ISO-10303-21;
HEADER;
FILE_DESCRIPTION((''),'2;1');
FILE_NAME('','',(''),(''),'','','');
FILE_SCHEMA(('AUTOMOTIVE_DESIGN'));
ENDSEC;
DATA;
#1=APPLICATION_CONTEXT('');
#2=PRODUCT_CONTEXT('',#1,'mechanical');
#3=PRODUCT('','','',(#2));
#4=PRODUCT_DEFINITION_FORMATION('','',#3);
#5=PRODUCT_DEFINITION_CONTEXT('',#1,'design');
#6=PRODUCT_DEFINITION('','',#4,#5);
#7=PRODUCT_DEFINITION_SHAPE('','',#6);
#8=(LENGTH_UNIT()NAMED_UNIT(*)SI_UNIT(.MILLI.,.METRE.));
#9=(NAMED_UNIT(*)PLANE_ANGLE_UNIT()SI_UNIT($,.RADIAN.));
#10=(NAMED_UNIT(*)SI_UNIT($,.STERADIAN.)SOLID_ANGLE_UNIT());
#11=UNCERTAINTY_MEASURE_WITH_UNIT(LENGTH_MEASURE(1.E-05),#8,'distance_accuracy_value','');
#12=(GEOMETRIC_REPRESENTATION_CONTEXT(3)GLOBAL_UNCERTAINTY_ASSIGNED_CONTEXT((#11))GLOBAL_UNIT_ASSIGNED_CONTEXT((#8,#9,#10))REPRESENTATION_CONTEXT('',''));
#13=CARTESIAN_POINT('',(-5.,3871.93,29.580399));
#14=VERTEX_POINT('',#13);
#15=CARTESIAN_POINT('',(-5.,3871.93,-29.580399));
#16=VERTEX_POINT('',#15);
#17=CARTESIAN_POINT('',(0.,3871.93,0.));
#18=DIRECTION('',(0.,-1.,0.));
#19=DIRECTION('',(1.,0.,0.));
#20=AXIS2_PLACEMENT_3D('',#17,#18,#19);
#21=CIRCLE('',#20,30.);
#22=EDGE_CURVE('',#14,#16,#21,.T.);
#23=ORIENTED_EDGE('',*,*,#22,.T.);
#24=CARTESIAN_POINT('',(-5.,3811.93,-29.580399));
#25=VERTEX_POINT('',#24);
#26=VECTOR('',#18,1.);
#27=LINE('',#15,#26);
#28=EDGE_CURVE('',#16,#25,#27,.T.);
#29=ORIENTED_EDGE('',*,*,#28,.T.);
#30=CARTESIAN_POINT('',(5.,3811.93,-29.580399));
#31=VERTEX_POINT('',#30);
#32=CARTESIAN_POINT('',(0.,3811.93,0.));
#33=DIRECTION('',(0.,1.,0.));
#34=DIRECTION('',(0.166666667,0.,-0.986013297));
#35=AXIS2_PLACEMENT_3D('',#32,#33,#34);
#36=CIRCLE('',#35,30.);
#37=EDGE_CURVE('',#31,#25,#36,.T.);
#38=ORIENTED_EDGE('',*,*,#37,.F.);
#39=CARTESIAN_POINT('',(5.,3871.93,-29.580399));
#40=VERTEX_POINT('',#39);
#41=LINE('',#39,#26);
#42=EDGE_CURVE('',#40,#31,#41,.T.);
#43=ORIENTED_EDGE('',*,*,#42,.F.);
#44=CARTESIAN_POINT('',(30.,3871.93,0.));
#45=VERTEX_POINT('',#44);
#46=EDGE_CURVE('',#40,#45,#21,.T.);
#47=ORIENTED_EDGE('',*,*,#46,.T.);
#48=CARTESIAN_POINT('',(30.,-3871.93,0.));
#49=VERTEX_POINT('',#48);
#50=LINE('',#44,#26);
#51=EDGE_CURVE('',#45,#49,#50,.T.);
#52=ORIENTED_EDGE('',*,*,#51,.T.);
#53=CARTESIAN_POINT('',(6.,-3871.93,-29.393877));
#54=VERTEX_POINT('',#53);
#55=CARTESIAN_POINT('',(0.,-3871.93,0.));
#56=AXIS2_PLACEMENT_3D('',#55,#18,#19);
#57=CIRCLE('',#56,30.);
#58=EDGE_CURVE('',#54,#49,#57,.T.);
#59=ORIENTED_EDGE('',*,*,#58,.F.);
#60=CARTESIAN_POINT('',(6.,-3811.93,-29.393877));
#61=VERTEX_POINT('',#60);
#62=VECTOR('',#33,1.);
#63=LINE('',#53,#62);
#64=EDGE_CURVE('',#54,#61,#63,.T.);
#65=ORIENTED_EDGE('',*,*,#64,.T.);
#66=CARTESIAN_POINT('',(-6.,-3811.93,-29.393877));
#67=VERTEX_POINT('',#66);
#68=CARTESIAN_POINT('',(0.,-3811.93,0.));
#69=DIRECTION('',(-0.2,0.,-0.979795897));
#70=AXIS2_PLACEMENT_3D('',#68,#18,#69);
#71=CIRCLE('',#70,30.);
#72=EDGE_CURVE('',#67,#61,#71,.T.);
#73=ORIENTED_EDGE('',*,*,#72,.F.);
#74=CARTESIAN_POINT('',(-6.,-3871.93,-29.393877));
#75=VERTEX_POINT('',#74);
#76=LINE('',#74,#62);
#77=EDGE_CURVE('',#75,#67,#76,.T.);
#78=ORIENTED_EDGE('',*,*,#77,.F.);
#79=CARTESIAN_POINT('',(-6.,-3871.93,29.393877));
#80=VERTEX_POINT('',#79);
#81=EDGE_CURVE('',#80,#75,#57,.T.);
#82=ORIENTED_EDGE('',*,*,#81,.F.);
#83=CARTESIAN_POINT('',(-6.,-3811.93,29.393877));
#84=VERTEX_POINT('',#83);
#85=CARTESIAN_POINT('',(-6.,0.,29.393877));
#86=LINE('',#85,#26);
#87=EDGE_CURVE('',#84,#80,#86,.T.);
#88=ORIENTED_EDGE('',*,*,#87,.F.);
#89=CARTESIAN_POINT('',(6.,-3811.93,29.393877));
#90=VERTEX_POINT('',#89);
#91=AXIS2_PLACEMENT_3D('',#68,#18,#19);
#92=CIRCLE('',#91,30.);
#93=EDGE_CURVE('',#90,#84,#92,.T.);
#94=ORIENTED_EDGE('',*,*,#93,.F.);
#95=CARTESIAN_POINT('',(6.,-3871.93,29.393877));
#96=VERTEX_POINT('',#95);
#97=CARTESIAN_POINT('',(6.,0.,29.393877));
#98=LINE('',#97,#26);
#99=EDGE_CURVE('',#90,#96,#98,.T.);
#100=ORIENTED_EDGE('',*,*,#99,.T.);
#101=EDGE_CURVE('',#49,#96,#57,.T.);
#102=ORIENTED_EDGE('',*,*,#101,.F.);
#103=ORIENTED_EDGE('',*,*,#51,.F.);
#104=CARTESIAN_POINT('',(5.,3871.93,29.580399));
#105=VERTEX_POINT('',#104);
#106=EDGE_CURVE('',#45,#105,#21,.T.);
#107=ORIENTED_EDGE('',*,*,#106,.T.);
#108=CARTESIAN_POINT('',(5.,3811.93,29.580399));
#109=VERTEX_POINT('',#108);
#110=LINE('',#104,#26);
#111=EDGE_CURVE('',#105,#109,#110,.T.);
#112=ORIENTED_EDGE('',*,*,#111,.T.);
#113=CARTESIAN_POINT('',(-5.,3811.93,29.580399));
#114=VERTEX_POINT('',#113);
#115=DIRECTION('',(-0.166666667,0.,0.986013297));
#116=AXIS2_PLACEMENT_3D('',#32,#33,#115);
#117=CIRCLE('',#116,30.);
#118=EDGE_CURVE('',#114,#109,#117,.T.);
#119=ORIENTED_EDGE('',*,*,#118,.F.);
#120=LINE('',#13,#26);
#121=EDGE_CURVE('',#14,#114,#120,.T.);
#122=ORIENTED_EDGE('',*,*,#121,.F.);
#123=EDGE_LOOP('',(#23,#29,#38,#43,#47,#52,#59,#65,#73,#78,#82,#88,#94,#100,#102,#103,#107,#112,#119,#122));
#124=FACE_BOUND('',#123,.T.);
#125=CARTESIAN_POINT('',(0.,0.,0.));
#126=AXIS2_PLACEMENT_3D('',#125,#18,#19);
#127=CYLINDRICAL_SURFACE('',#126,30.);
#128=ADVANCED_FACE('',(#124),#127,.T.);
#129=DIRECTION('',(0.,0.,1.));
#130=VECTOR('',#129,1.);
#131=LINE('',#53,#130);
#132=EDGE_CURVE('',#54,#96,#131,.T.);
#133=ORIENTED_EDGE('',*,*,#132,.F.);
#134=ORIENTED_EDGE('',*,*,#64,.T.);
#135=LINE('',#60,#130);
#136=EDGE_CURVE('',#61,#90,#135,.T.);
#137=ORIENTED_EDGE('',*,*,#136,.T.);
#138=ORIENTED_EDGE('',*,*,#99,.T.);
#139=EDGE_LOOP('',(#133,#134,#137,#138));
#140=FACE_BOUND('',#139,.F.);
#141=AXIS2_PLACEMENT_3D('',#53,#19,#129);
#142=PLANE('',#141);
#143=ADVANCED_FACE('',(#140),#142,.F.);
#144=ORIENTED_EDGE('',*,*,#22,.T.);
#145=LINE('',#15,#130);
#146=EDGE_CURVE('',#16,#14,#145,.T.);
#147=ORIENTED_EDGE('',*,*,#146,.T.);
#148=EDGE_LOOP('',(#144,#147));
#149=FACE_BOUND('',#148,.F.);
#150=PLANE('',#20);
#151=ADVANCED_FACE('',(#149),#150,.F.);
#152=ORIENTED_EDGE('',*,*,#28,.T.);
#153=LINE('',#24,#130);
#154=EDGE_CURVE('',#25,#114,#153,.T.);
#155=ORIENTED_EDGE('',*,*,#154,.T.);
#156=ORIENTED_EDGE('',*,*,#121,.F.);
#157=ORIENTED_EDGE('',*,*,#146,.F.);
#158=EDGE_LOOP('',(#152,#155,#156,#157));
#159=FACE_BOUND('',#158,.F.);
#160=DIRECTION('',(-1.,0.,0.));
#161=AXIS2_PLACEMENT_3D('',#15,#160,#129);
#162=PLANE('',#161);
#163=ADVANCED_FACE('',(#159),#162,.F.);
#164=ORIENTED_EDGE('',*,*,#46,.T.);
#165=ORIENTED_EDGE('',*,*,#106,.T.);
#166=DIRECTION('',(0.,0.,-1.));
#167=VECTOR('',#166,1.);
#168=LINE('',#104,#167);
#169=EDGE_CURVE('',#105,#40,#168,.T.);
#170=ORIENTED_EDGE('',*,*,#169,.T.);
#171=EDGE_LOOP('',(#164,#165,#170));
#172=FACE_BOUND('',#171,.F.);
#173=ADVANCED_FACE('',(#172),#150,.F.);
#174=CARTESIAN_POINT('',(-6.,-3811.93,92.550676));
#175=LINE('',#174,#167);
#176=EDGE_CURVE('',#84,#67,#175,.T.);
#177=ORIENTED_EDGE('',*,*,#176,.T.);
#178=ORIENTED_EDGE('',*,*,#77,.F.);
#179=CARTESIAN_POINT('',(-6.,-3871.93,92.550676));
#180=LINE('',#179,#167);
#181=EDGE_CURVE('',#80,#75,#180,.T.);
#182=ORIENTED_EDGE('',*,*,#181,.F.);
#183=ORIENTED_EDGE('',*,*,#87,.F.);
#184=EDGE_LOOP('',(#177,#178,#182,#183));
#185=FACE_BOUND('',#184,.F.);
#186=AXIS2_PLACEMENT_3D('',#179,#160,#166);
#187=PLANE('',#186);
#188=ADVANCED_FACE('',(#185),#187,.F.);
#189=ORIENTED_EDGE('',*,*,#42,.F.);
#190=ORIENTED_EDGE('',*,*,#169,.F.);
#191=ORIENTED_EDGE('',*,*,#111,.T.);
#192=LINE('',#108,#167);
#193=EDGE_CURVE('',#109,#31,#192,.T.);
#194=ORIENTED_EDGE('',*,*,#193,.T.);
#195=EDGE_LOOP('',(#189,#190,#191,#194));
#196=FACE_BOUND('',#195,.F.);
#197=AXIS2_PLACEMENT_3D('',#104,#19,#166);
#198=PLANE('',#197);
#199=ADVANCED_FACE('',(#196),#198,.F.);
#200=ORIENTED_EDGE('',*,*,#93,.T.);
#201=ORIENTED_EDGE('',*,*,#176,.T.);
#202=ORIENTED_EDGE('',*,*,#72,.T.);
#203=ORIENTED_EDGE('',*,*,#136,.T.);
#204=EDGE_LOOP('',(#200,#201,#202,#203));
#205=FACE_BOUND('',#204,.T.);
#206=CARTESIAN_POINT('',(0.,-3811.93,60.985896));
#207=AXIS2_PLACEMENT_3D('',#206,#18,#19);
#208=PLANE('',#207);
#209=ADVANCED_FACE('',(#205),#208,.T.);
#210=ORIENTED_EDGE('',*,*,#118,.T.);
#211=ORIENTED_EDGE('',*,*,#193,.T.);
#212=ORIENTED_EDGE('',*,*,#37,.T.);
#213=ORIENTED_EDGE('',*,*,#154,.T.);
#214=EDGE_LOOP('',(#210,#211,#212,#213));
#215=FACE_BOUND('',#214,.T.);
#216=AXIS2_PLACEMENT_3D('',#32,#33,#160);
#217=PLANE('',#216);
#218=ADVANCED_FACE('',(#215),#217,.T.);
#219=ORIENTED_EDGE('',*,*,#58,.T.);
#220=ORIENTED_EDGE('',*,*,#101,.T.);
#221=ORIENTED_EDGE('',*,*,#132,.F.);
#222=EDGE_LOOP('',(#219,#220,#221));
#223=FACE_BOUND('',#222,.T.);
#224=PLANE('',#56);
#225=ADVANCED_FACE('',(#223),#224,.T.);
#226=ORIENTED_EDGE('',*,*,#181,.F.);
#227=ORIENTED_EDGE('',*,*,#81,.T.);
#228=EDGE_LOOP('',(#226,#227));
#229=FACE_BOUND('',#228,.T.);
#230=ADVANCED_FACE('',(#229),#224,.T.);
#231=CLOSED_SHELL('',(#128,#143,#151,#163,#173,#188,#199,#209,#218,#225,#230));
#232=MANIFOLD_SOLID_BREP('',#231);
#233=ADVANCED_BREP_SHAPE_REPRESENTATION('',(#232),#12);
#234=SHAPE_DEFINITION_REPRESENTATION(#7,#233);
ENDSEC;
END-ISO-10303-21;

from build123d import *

# Parameters (mm, degrees)
F0_R     = 30
F1_DEPTH = 3871.93
F3_DEPTH = 60
F5_DEPTH = 60


with BuildPart() as f1:
    # F0 (on Front) → F1 (new body, symmetric)
    with BuildSketch(Plane.XZ):
        Circle(F0_R)
    extrude(amount=F1_DEPTH, both=True)

    # F2 (on face) → F3 (cut)
    with BuildSketch(Plane.XZ.offset(3871.93)):
        with BuildLine():
            Line((6, 29.3938769134), (6, 92.5506760976))
            Line((6, 92.5506760976), (-6, 92.5506760976))
            Line((-6, 92.5506760976), (-6, 29.3938769134))
            ThreePointArc((-6, 29.3938769134), (0, 30), (6, 29.3938769134))
        make_face()
        with BuildLine():
            Line((6, -29.3938769134), (6, 29.3938769134))
            ThreePointArc((6, 29.3938769134), (0, 30), (-6, 29.3938769134))
            Line((-6, 29.3938769134), (-6, -29.3938769134))
            ThreePointArc((-6, -29.3938769134), (0, -30), (6, -29.3938769134))
        make_face()
    extrude(amount=-F3_DEPTH, mode=Mode.SUBTRACT)

    # F4 (on face) → F5 (cut)
    with BuildSketch(Plane(origin=(0, 3871.93, 0), x_dir=(-1, 0, 0), z_dir=(0, 1, 0))):
        with BuildLine():
            Line((5, -29.5803989155), (5, 29.5803989155))
            ThreePointArc((5, 29.5803989155), (0, 30), (-5, 29.5803989155))
            Line((-5, 29.5803989155), (-5, -29.5803989155))
            ThreePointArc((-5, -29.5803989155), (0, -30), (5, -29.5803989155))
        make_face()
    extrude(amount=-F5_DEPTH, mode=Mode.SUBTRACT)


solid = f1.part
